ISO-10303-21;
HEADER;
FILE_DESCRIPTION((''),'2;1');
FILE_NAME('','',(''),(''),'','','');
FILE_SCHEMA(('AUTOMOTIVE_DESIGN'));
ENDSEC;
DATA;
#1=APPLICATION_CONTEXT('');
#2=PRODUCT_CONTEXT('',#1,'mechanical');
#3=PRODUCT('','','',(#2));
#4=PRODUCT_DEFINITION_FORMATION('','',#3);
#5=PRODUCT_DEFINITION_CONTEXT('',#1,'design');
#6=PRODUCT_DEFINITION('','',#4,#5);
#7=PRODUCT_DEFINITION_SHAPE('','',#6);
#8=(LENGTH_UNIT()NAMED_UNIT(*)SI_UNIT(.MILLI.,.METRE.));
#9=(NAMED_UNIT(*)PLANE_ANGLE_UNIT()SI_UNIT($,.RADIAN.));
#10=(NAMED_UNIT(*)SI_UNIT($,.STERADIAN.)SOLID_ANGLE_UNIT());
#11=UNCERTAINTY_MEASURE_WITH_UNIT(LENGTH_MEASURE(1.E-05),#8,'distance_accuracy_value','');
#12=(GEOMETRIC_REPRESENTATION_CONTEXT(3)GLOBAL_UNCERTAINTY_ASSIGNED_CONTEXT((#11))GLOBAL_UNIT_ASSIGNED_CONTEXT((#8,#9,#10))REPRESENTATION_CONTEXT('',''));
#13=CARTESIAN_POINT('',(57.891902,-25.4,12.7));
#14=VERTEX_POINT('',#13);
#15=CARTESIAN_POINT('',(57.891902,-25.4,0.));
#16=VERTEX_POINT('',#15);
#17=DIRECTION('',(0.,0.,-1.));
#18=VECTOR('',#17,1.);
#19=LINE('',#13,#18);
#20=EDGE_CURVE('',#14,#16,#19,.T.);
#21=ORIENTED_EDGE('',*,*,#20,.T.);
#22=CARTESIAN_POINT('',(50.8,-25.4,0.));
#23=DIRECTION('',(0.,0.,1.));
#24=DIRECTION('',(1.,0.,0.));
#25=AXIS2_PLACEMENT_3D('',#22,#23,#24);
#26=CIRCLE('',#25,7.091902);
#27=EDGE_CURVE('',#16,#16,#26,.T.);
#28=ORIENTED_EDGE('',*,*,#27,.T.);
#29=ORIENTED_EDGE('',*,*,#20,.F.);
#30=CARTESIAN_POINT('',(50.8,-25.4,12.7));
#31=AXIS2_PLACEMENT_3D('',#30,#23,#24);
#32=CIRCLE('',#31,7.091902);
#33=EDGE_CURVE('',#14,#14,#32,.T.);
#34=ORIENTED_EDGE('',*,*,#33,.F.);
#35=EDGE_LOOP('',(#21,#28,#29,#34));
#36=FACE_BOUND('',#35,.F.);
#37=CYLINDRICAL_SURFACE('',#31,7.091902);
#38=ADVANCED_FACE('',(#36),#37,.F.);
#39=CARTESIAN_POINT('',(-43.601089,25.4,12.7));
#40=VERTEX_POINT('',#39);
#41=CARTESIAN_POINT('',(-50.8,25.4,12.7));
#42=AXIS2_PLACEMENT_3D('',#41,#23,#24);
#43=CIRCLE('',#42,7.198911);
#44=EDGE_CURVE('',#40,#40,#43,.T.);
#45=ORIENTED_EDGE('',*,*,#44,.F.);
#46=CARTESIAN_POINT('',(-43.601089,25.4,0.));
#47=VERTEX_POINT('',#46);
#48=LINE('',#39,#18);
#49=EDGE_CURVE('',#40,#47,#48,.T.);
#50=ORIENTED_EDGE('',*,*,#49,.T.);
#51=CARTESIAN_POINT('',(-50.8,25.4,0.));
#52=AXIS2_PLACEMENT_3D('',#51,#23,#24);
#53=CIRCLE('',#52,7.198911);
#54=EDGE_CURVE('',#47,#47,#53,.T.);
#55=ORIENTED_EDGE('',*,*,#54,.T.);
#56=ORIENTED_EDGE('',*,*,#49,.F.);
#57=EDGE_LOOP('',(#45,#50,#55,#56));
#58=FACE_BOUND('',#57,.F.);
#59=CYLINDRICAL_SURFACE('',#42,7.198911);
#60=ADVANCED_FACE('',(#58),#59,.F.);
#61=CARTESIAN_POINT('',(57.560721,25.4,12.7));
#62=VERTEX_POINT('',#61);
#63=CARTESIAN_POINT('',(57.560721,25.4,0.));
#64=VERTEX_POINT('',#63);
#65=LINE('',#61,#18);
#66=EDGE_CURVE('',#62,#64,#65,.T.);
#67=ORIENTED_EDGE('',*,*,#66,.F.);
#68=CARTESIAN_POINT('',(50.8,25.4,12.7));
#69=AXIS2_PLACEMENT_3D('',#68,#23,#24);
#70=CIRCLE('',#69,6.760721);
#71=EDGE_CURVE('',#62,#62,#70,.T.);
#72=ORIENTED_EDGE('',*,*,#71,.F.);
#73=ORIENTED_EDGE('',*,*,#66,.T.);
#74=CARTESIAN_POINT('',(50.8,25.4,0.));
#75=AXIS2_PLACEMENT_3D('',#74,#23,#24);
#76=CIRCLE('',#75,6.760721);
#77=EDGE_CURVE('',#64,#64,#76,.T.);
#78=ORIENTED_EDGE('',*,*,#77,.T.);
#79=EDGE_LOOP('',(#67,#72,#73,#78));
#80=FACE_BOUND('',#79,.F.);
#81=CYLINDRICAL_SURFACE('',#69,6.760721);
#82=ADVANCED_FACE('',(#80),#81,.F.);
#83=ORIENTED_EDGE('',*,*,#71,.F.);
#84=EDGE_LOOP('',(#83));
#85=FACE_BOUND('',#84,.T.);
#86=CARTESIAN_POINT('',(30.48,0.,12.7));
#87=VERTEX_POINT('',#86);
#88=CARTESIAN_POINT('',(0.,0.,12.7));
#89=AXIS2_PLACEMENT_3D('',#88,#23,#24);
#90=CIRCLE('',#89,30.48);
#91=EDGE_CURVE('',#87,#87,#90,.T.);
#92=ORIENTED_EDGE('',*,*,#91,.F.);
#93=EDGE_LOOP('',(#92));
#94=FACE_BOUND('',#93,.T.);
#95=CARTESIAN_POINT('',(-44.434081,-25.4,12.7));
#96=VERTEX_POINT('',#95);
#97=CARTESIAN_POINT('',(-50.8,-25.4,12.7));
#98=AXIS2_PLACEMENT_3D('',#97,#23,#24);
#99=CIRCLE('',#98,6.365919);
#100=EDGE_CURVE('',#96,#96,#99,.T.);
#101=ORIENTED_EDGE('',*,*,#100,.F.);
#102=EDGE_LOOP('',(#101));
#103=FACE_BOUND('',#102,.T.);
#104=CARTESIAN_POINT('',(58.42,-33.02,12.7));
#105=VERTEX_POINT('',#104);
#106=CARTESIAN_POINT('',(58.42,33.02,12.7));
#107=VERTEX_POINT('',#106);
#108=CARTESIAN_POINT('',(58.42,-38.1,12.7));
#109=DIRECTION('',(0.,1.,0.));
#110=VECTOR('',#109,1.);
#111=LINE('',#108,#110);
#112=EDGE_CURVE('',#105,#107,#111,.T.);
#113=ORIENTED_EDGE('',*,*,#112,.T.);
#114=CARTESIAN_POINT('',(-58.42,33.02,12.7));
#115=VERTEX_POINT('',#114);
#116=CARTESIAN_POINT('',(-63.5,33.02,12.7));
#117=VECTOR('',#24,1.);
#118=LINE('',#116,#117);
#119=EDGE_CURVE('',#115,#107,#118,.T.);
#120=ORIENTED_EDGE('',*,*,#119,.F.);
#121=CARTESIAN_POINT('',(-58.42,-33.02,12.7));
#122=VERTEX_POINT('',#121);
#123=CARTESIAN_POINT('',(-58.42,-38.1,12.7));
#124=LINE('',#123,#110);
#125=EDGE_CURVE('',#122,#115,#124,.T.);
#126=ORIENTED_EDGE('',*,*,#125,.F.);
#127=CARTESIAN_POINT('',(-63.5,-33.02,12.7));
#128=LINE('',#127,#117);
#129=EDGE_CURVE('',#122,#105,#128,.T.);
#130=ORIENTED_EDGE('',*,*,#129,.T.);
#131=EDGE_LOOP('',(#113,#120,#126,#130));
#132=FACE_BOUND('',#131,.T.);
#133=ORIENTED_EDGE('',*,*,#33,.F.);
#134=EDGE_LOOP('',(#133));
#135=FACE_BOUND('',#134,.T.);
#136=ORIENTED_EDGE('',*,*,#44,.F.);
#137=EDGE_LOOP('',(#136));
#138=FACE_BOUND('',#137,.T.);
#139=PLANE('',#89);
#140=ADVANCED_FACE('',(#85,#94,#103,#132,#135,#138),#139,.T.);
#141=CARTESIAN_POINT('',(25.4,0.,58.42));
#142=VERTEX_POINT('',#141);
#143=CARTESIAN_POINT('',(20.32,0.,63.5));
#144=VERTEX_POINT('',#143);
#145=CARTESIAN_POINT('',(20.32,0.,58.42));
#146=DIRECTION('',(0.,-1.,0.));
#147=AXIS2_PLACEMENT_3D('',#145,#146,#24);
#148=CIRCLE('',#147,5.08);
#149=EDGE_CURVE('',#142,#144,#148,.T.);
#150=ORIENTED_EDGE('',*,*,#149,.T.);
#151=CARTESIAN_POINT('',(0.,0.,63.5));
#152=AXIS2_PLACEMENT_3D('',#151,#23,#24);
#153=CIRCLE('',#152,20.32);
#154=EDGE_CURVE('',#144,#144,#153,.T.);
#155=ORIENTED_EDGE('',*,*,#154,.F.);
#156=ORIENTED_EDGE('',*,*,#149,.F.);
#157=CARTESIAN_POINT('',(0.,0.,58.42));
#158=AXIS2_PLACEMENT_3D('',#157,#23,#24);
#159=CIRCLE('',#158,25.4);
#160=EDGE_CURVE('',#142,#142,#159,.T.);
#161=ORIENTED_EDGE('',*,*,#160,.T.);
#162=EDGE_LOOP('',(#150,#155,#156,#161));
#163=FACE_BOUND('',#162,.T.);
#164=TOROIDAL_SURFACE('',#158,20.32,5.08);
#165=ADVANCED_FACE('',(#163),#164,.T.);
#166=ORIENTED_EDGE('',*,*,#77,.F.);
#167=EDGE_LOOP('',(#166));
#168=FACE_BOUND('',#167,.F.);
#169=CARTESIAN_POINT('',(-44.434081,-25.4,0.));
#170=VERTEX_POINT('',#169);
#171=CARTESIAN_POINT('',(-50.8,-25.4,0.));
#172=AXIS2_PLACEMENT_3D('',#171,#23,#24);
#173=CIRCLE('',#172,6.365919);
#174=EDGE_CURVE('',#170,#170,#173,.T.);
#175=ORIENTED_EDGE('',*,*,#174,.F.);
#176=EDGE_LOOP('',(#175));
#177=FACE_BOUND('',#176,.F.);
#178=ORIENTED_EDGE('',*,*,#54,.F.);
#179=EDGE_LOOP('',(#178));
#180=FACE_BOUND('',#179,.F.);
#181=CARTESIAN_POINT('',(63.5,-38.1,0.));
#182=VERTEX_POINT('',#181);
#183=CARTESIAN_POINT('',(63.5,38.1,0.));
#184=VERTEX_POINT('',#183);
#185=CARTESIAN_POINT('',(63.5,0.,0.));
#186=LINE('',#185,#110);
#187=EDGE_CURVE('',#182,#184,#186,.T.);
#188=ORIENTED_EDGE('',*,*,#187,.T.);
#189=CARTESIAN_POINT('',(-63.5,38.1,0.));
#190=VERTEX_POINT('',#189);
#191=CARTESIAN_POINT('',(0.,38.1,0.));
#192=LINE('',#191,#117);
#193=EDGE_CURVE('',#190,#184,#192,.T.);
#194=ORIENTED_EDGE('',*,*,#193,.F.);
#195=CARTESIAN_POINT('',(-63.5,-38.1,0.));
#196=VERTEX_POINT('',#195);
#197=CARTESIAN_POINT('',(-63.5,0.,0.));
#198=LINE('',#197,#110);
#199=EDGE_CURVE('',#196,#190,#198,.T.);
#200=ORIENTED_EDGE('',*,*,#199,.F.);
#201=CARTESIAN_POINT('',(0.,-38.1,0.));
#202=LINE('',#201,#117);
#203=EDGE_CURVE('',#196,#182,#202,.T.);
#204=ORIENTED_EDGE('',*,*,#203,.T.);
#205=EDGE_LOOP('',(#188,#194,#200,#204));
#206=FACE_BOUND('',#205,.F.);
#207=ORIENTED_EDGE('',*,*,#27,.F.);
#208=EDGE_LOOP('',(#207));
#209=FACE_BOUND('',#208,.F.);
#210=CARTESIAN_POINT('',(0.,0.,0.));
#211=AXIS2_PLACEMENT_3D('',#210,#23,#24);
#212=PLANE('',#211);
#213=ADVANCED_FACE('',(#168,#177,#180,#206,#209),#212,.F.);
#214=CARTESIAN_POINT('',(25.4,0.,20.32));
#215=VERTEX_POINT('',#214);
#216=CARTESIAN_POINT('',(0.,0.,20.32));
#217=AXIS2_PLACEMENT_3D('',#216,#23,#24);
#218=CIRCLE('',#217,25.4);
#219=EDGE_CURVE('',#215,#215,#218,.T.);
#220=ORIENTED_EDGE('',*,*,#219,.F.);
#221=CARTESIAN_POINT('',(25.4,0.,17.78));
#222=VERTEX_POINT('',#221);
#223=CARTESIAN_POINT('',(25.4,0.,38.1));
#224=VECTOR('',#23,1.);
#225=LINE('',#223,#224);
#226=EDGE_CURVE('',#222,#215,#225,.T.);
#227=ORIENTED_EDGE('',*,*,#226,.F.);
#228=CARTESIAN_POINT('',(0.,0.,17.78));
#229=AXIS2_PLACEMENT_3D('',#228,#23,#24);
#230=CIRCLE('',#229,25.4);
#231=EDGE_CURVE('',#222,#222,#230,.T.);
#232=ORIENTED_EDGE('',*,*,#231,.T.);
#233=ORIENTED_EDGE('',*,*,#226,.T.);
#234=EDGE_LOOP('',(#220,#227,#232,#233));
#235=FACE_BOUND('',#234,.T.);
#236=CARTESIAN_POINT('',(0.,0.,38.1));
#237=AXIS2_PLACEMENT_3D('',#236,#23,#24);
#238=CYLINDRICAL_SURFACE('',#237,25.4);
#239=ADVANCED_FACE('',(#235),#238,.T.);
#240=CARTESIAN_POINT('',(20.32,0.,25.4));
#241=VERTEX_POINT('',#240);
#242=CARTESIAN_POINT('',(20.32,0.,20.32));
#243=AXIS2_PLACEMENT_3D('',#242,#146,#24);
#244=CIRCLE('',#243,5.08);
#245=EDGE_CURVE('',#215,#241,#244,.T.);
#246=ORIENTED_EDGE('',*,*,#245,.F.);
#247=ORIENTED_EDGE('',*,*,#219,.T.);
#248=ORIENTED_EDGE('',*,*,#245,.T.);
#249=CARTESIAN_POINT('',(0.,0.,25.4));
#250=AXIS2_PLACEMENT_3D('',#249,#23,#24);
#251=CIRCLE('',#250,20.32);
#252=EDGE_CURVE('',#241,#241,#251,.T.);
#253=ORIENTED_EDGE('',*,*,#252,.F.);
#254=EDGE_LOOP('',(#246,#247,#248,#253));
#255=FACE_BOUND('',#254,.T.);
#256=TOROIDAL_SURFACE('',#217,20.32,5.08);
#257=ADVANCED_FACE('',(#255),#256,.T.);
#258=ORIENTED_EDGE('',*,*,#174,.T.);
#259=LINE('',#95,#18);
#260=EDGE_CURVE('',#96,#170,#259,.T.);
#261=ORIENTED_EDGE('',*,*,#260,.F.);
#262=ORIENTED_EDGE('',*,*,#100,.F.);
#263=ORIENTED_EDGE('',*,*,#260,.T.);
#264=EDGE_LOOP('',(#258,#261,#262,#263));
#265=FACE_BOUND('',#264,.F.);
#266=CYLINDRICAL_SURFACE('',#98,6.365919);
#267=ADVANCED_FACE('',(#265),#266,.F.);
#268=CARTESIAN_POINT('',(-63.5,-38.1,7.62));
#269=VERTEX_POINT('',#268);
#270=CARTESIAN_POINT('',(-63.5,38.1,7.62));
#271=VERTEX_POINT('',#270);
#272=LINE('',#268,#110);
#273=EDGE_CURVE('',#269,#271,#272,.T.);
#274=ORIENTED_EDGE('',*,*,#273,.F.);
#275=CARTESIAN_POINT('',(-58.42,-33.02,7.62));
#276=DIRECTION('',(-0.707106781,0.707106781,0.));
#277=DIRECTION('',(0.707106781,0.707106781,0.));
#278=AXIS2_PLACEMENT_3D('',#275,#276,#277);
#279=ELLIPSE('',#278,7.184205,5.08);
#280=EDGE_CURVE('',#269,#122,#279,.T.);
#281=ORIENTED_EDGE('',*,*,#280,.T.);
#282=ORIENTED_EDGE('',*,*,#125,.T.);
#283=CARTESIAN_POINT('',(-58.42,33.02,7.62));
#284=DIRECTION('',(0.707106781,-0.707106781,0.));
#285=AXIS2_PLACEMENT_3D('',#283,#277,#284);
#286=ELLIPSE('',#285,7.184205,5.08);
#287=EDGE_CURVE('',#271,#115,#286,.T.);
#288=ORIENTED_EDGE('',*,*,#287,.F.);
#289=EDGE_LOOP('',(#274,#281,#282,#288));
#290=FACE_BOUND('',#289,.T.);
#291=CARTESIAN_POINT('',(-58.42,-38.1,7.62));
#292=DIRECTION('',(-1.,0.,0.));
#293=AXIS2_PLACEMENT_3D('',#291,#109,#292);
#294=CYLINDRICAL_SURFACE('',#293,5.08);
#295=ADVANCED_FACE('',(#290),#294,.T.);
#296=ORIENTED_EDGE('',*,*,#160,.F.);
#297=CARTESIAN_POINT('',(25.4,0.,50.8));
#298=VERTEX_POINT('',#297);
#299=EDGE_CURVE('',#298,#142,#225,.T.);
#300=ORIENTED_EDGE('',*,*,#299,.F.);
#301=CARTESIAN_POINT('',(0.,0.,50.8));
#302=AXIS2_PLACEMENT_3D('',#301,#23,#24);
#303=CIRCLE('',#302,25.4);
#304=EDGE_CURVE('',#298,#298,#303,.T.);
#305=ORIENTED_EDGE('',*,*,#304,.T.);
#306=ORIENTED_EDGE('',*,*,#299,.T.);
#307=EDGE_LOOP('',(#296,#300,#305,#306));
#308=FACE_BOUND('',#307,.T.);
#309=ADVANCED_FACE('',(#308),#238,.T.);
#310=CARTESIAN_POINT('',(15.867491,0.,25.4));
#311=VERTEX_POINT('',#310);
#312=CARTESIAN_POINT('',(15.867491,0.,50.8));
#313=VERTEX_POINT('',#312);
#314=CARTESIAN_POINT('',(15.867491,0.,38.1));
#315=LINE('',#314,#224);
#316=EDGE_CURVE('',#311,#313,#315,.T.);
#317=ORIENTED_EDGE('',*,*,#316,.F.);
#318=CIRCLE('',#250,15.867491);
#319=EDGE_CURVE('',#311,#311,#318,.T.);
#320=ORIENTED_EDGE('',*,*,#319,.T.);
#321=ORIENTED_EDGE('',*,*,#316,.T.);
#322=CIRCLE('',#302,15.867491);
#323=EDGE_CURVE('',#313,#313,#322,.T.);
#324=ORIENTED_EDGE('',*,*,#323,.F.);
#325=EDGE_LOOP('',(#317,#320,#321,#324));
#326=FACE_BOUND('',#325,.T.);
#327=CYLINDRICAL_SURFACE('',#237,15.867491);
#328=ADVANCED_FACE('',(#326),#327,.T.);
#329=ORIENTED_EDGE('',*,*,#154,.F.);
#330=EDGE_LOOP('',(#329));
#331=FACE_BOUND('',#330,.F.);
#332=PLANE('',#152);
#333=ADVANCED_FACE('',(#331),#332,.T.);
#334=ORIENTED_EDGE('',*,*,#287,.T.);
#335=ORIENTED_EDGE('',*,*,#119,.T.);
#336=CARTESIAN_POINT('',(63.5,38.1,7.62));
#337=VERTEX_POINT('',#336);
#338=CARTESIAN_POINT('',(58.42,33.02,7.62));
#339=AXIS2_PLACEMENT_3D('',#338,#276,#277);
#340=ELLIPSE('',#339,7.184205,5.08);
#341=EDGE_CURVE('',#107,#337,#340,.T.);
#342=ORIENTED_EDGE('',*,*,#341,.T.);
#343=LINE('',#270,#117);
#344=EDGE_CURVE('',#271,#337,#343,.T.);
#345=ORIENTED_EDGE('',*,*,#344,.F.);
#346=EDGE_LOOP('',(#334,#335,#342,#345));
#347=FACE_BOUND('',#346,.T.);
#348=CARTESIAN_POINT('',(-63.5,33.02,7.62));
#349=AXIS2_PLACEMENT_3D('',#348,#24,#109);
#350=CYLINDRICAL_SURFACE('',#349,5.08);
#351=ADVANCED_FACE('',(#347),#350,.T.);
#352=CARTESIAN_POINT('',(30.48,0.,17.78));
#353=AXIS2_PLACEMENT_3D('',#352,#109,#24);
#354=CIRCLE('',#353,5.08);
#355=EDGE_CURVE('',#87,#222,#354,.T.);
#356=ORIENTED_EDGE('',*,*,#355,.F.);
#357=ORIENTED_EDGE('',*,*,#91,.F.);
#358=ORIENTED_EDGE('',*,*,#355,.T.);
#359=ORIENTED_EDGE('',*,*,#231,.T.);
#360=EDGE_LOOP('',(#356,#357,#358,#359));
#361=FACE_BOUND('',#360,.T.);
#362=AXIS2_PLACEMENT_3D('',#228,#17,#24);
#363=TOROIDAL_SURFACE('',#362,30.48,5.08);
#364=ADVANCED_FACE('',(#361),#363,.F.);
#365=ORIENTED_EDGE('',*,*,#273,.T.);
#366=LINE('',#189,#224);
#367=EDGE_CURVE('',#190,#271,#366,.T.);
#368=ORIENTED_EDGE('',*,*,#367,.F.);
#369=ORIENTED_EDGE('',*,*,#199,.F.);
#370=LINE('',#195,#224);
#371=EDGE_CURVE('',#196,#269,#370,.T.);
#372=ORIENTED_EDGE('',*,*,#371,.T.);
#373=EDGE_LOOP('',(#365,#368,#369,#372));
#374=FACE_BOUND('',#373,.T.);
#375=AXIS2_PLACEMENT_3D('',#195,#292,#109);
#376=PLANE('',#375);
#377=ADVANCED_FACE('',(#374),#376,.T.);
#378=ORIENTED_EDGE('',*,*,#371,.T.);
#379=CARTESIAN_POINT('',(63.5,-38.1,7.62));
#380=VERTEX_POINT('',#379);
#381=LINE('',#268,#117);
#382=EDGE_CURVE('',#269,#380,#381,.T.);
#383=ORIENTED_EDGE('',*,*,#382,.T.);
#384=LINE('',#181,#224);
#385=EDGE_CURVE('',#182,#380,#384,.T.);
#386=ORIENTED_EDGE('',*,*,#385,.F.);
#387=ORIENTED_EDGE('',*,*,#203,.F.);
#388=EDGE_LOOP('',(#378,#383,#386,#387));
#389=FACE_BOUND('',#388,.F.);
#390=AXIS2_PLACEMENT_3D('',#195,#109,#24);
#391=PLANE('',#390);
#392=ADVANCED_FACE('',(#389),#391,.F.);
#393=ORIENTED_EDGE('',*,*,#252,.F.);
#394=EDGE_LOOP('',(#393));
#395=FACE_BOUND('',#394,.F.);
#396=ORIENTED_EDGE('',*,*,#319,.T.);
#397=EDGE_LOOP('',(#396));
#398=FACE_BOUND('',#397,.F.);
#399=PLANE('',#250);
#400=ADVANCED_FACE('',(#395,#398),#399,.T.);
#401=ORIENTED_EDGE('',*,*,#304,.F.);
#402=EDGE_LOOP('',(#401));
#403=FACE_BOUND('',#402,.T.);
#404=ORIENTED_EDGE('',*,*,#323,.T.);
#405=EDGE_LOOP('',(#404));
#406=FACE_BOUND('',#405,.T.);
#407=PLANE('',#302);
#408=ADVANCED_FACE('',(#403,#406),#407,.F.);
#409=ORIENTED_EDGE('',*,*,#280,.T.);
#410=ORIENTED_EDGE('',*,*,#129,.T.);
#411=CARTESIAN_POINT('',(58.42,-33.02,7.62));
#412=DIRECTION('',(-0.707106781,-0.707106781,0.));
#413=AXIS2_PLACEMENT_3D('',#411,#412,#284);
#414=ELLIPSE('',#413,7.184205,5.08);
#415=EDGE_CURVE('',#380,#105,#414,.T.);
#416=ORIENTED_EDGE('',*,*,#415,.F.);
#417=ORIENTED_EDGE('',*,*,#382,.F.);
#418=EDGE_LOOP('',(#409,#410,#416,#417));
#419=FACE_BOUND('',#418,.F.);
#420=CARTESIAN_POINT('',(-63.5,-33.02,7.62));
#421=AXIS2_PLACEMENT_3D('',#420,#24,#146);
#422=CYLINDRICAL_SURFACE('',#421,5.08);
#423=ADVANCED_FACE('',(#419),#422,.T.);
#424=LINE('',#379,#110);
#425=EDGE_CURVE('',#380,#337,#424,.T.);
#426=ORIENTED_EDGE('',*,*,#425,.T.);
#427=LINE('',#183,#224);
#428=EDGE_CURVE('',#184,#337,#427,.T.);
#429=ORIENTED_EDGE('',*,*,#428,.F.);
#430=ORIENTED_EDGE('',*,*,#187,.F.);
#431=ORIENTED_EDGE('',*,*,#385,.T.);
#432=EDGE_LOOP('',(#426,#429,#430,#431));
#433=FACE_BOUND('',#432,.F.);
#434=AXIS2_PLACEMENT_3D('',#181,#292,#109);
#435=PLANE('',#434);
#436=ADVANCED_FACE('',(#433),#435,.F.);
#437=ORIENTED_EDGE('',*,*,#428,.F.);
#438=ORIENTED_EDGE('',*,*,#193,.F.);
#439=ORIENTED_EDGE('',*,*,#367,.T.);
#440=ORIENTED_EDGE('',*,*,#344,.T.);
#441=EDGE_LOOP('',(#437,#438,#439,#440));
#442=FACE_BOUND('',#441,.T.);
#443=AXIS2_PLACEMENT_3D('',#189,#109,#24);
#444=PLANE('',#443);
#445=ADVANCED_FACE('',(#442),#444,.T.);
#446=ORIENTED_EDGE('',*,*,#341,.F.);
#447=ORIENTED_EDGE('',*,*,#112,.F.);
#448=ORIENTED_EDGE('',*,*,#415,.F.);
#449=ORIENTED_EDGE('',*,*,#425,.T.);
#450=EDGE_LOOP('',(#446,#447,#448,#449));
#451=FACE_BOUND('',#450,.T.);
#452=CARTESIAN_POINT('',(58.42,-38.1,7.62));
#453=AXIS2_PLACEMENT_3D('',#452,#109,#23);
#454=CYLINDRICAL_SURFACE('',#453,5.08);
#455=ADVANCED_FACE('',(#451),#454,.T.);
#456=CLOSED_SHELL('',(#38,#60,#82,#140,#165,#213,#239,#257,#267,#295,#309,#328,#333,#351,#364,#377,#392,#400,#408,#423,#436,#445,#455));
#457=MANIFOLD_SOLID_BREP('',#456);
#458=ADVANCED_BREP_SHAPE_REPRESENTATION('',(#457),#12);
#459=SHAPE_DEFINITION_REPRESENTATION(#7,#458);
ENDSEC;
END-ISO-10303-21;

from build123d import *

# Parameters (mm, degrees)
F0_W     = 127
F0_H     = 76.2
F1_DEPTH = 12.7
F2_R     = 7.198910885
F2_R_2   = 6.7607209877
F2_R_3   = 7.0919024912
F2_R_4   = 6.3659189417
F3_DEPTH = 12.701
F4_W     = 25.4
F4_H     = 50.8
F6_W     = 20.640426774
F6_H     = 25.4
F8_R     = 5.08


with BuildPart() as f1:
    # F0 (on Top) → F1 (new body)
    with BuildSketch(Plane.XY):
        Rectangle(F0_W, F0_H)
    extrude(amount=F1_DEPTH)

    # F2 (on face) → F3 (cut, through all)
    with BuildSketch(Plane.XY.offset(12.7)):
        with Locations((-50.8, 25.4)):
            Circle(F2_R)
        with Locations((50.8, 25.4)):
            Circle(F2_R_2)
        with Locations((50.8, -25.4)):
            Circle(F2_R_3)
        with Locations((-50.8, -25.4)):
            Circle(F2_R_4)
    extrude(amount=-F3_DEPTH, mode=Mode.SUBTRACT)

    # F4 (on Front) → F5 (revolve)
    with BuildSketch(Plane.XZ):
        with Locations((12.7, 38.1)):
            Rectangle(F4_W, F4_H)
    revolve(axis=Axis((0, 0, 38.1), (0, 0, 1)))

    # F6 (on Front) → F7 (revolve, cut)
    with BuildSketch(Plane.XZ):
        with Locations((26.1877048761, 38.1)):
            Rectangle(F6_W, F6_H)
    revolve(axis=Axis((0, 0, 12.7), (0, 0, 1)), mode=Mode.SUBTRACT)

    # F8
    f8_edges = [f1.edges().sort_by_distance(p)[0] for p in [
        (-25.4, 0, 63.5),
        (-25.4, 0, 12.7),
        (-25.4, 0, 25.4),
        (0, -38.1, 12.7),
        (63.5, 0, 12.7),
        (0, 38.1, 12.7),
        (-63.5, 0, 12.7),
    ]]
    fillet(f8_edges, radius=F8_R)


solid = f1.part
